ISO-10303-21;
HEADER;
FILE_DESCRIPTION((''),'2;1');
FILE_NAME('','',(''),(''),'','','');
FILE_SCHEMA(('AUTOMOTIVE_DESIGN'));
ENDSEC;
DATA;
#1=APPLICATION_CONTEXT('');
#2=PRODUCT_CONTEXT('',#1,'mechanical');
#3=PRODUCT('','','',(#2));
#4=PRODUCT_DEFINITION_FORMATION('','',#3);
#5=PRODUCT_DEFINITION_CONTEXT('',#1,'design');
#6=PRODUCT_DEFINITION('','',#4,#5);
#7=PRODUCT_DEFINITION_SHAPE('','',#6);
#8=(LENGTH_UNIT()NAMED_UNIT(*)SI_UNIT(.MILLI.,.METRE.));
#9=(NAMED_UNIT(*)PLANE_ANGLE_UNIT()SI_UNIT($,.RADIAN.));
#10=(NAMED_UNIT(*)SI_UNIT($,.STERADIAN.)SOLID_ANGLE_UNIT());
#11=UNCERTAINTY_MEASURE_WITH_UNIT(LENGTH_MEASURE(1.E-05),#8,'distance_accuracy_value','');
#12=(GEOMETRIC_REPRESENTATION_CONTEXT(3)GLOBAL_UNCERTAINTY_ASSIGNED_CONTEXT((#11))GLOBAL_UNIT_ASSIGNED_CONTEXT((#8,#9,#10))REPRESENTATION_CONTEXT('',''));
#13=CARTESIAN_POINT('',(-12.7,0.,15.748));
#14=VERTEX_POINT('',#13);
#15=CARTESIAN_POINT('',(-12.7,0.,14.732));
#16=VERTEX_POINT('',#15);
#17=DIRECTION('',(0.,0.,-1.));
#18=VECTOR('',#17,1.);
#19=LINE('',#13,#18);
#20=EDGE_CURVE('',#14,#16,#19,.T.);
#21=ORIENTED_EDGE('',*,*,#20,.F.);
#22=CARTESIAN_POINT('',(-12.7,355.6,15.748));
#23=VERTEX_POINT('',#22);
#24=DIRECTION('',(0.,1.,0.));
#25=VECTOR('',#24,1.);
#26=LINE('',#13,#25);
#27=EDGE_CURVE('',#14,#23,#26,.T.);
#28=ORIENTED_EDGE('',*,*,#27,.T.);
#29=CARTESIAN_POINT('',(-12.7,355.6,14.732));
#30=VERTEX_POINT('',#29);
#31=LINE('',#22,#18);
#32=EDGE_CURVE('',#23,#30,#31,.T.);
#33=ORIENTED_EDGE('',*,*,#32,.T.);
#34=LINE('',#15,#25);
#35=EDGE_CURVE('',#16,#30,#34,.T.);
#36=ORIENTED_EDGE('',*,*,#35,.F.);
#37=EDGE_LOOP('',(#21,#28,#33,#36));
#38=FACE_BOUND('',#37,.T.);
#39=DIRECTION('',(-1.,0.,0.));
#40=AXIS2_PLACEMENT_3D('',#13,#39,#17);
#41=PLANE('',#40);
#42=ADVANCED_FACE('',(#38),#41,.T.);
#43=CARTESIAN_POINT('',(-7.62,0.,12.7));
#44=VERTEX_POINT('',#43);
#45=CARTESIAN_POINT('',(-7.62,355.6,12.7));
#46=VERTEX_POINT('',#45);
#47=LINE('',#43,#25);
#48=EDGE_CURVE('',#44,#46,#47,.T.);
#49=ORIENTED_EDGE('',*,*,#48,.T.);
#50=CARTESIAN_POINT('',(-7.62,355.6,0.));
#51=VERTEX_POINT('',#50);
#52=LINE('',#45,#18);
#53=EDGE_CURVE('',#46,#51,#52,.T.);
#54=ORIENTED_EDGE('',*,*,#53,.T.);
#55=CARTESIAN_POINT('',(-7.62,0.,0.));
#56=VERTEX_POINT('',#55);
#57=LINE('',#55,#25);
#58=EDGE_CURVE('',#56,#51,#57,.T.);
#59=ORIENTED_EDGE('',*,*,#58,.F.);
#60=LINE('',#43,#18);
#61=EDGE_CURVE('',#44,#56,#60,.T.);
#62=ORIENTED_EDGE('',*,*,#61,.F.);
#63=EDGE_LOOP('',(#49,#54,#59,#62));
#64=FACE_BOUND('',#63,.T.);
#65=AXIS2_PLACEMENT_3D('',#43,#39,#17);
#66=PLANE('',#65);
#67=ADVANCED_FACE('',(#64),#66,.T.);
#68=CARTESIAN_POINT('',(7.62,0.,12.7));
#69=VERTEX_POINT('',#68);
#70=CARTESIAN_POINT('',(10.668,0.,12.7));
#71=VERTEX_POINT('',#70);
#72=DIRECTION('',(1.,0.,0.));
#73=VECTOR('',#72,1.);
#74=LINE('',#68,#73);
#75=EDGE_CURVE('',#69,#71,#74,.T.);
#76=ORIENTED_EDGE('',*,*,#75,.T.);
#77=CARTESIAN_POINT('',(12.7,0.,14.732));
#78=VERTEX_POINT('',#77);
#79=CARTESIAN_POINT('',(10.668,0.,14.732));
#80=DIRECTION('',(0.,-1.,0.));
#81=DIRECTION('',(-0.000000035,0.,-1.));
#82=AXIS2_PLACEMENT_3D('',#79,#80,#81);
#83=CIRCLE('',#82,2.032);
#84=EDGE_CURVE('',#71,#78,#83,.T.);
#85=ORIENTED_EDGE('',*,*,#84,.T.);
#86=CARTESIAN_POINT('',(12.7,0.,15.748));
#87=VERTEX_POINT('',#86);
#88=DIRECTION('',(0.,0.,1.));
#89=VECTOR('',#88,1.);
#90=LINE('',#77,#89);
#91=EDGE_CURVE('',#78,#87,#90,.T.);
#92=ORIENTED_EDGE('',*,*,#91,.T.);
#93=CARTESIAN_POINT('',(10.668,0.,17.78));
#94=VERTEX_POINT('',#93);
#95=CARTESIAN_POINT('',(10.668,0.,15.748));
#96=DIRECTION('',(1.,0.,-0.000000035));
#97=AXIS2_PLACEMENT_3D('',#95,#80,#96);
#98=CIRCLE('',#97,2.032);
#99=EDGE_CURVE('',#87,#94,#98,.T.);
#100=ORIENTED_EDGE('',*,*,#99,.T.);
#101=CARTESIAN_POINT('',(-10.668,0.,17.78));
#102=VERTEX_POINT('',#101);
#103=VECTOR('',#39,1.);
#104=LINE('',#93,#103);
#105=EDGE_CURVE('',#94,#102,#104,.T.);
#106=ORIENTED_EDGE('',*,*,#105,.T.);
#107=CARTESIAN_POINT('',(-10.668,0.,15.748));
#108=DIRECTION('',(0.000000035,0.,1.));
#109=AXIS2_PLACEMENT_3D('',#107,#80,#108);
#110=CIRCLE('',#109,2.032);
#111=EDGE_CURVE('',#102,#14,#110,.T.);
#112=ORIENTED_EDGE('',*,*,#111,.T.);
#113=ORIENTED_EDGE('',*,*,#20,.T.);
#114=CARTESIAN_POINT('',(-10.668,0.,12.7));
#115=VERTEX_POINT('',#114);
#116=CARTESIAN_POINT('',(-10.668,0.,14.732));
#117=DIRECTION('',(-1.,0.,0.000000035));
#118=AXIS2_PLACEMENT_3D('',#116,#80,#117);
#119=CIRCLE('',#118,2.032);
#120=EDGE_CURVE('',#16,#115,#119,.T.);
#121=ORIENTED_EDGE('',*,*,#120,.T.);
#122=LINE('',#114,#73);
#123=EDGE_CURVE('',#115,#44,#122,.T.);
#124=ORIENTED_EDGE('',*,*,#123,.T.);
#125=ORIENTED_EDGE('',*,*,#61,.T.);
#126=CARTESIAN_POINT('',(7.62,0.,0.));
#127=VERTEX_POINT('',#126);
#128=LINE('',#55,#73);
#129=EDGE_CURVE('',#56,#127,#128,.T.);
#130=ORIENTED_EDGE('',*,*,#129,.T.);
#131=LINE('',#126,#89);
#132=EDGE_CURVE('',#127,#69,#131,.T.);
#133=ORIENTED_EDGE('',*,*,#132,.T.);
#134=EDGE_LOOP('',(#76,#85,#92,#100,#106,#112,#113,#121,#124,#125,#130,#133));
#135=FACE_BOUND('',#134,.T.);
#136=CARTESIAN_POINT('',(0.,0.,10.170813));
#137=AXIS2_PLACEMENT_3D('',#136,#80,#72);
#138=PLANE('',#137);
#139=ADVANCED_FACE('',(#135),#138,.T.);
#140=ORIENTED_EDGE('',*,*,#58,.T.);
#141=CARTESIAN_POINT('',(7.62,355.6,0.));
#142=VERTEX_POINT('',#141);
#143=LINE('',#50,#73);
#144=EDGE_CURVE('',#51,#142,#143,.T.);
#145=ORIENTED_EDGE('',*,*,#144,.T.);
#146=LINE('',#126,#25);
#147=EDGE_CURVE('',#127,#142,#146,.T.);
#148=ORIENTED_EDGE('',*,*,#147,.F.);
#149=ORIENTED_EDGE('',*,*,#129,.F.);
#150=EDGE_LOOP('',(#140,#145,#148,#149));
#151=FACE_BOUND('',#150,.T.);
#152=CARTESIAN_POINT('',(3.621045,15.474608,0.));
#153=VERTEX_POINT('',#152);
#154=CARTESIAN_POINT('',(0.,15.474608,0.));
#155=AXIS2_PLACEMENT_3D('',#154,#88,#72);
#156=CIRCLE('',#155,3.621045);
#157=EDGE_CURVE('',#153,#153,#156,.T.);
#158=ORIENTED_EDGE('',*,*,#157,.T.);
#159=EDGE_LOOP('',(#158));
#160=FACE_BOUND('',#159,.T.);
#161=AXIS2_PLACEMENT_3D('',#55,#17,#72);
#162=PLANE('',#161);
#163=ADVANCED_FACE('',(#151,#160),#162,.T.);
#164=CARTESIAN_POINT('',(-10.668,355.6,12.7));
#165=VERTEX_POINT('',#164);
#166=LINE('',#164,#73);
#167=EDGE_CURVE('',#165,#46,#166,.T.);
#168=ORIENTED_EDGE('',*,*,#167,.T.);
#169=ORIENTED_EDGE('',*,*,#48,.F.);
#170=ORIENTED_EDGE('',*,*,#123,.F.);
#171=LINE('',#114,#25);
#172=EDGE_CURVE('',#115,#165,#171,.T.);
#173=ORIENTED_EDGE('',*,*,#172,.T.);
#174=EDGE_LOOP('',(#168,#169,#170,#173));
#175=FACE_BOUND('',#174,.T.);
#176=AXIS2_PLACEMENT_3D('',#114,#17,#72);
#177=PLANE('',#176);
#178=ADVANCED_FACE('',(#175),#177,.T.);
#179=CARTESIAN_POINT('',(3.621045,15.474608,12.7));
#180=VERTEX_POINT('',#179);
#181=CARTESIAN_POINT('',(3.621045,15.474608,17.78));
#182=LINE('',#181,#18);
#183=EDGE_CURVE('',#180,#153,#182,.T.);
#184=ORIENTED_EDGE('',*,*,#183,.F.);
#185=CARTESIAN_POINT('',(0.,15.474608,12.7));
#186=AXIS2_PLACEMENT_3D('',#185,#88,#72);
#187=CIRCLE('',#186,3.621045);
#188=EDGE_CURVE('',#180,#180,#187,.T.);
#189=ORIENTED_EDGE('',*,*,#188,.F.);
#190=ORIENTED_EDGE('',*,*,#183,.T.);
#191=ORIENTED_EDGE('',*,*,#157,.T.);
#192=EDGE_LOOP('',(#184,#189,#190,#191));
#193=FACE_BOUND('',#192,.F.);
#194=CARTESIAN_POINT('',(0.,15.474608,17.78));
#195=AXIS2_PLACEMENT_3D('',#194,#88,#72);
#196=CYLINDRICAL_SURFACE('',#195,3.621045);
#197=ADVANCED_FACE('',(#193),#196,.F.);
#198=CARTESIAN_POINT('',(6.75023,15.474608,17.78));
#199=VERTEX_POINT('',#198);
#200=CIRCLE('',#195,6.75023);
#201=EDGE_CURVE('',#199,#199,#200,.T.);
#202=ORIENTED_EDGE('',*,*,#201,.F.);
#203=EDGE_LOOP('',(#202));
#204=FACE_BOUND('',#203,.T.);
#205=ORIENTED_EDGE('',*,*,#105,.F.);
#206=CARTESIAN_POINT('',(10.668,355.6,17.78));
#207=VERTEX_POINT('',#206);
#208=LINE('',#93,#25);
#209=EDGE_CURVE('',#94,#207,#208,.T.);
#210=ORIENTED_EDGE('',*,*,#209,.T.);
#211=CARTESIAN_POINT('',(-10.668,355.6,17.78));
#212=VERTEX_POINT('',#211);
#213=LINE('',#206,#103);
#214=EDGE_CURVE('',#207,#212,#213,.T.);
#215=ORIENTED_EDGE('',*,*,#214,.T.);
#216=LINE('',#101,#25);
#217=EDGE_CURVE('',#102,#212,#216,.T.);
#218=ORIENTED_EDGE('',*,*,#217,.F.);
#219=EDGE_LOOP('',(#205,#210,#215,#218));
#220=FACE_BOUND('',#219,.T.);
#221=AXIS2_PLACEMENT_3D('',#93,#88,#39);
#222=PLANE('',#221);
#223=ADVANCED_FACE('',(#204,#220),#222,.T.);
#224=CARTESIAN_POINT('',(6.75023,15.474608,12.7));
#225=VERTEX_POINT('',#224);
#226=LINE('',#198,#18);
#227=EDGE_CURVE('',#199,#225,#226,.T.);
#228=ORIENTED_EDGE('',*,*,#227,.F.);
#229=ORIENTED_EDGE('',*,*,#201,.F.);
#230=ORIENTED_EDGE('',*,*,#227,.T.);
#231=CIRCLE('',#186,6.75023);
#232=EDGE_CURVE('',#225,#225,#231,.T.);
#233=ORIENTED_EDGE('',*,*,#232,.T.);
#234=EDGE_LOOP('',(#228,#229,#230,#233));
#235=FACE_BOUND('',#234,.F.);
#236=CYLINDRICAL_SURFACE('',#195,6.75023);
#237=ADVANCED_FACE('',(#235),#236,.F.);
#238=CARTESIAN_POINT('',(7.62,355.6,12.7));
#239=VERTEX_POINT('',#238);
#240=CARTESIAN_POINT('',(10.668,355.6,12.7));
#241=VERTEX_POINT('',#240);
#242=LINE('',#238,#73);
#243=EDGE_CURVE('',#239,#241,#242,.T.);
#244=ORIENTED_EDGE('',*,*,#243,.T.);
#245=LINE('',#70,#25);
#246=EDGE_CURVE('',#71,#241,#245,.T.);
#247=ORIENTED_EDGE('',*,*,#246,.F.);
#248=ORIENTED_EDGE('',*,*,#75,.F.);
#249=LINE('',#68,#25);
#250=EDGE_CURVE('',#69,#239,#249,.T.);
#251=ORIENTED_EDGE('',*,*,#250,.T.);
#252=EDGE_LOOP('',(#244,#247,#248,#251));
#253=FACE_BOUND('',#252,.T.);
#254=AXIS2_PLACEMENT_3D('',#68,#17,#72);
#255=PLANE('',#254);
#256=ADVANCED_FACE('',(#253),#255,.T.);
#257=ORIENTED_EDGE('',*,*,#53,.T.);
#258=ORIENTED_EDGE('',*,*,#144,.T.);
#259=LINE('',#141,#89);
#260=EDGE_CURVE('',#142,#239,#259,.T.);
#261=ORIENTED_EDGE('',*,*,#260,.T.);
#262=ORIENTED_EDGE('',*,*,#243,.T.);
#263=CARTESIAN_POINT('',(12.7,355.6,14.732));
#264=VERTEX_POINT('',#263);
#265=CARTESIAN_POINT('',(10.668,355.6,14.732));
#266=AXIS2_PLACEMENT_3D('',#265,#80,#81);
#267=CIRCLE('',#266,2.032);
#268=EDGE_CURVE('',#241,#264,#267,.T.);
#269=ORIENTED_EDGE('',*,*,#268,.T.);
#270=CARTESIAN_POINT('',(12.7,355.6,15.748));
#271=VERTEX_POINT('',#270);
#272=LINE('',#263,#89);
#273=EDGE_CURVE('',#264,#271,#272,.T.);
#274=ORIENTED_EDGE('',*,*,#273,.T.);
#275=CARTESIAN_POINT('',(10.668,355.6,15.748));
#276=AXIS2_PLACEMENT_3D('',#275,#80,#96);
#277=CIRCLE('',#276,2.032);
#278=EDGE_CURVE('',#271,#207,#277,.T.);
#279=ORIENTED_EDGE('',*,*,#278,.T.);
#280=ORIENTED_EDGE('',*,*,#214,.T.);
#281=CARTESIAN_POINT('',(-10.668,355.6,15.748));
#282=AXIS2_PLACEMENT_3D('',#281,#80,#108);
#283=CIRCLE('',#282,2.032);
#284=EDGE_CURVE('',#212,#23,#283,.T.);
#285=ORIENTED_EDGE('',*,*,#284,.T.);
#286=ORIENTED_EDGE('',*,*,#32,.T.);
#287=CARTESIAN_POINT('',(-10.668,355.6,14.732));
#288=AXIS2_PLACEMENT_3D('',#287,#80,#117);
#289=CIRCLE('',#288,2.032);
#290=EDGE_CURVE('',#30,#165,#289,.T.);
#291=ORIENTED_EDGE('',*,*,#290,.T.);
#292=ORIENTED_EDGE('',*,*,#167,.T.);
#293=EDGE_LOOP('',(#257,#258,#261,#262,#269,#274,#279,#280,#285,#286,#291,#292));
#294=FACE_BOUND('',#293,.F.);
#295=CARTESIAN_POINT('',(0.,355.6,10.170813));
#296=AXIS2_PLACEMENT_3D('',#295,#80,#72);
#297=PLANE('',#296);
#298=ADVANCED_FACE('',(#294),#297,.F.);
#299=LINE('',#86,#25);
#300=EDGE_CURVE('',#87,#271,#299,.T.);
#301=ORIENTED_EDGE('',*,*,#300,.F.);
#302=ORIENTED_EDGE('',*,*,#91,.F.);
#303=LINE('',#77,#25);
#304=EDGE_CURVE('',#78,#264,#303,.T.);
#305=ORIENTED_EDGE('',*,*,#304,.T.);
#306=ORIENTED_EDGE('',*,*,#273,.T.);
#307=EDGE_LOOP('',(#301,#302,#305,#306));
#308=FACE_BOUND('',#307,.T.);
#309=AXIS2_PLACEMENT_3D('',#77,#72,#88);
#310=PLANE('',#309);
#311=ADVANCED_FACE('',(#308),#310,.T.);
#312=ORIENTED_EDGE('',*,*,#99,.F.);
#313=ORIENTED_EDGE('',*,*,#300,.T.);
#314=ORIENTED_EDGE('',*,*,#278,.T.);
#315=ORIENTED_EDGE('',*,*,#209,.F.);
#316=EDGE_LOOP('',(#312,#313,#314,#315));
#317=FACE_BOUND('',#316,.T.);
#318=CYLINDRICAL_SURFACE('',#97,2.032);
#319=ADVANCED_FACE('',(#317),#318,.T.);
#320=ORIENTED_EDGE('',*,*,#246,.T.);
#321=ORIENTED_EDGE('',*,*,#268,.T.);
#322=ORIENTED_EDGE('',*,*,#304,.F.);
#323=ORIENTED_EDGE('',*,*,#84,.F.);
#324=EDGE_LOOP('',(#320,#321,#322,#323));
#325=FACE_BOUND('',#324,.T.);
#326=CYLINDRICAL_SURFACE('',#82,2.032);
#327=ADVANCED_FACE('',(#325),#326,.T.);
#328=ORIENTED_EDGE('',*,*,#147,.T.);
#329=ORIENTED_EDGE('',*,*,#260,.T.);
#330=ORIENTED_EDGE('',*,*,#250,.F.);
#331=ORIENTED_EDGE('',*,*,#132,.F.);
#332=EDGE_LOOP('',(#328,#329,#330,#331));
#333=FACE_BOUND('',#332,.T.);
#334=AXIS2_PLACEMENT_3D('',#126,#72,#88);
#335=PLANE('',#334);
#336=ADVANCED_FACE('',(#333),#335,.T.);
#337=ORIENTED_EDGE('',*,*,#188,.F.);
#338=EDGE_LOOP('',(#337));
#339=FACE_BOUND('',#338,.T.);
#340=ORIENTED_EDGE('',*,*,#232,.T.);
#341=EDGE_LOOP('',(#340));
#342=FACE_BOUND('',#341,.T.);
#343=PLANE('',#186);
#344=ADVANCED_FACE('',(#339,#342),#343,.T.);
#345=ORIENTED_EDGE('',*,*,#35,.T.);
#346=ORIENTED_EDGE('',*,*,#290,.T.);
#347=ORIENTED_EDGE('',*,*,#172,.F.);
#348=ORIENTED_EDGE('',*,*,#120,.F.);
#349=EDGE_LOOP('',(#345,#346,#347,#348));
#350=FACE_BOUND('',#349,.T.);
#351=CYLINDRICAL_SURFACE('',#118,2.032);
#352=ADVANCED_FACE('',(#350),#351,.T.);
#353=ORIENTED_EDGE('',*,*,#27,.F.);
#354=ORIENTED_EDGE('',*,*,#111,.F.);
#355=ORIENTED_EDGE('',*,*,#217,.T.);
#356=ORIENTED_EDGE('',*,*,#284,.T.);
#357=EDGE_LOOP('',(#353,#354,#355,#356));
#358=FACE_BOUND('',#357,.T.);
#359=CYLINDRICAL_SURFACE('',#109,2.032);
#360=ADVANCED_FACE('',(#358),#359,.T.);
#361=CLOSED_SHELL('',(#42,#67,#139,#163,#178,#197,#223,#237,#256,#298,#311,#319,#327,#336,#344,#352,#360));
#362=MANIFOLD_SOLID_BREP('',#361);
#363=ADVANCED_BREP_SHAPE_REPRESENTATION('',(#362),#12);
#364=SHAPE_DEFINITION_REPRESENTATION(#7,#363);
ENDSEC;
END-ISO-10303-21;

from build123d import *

# Parameters (mm, degrees)
F1_DEPTH = 355.6
F2_R     = 6.75023
F2_R_2   = 4.051718
F3_DEPTH = 5.08
F4_R     = 3.621045
F5_DEPTH = 25.4


with BuildPart() as f1:
    # F0 (on Front) → F1 (new body)
    with BuildSketch(Plane.XZ):
        with BuildLine():
            Line((10.668, 17.78), (0, 17.78))
            Line((0, 17.78), (-10.668, 17.78))
            ThreePointArc((-10.668, 17.78), (-12.104841, 17.184841), (-12.7, 15.748))
            Line((-12.7, 15.748), (-12.7, 14.732))
            ThreePointArc((-12.7, 14.732), (-12.104841, 13.295159), (-10.668, 12.7))
            Line((-10.668, 12.7), (-7.62, 12.7))
            Line((-7.62, 12.7), (-7.62, 0))
            Line((-7.62, 0), (0, 0))
            Line((0, 0), (7.62, 0))
            Line((7.62, 0), (7.62, 12.7))
            Line((7.62, 12.7), (10.668, 12.7))
            ThreePointArc((10.668, 12.7), (12.104841, 13.295159), (12.7, 14.732))
            Line((12.7, 14.732), (12.7, 15.748))
            ThreePointArc((12.7, 15.748), (12.104841, 17.184841), (10.668, 17.78))
        make_face()
    extrude(amount=-F1_DEPTH)

    # F2 (on face) → F3 (cut)
    with BuildSketch(Plane.XY.offset(17.78)):
        with Locations((0, 15.474608)):
            Circle(F2_R)
        with Locations((0, 15.474608)):
            Circle(F2_R_2, mode=Mode.SUBTRACT)
        with Locations((0, 15.474608)):
            Circle(F2_R_2)
    extrude(amount=-F3_DEPTH, mode=Mode.SUBTRACT)

    # F4 (on face) → F5 (cut)
    with BuildSketch(Plane.XY.offset(17.78)):
        with Locations((0, 15.474608)):
            Circle(F4_R)
    extrude(amount=-F5_DEPTH, mode=Mode.SUBTRACT)


solid = f1.part
